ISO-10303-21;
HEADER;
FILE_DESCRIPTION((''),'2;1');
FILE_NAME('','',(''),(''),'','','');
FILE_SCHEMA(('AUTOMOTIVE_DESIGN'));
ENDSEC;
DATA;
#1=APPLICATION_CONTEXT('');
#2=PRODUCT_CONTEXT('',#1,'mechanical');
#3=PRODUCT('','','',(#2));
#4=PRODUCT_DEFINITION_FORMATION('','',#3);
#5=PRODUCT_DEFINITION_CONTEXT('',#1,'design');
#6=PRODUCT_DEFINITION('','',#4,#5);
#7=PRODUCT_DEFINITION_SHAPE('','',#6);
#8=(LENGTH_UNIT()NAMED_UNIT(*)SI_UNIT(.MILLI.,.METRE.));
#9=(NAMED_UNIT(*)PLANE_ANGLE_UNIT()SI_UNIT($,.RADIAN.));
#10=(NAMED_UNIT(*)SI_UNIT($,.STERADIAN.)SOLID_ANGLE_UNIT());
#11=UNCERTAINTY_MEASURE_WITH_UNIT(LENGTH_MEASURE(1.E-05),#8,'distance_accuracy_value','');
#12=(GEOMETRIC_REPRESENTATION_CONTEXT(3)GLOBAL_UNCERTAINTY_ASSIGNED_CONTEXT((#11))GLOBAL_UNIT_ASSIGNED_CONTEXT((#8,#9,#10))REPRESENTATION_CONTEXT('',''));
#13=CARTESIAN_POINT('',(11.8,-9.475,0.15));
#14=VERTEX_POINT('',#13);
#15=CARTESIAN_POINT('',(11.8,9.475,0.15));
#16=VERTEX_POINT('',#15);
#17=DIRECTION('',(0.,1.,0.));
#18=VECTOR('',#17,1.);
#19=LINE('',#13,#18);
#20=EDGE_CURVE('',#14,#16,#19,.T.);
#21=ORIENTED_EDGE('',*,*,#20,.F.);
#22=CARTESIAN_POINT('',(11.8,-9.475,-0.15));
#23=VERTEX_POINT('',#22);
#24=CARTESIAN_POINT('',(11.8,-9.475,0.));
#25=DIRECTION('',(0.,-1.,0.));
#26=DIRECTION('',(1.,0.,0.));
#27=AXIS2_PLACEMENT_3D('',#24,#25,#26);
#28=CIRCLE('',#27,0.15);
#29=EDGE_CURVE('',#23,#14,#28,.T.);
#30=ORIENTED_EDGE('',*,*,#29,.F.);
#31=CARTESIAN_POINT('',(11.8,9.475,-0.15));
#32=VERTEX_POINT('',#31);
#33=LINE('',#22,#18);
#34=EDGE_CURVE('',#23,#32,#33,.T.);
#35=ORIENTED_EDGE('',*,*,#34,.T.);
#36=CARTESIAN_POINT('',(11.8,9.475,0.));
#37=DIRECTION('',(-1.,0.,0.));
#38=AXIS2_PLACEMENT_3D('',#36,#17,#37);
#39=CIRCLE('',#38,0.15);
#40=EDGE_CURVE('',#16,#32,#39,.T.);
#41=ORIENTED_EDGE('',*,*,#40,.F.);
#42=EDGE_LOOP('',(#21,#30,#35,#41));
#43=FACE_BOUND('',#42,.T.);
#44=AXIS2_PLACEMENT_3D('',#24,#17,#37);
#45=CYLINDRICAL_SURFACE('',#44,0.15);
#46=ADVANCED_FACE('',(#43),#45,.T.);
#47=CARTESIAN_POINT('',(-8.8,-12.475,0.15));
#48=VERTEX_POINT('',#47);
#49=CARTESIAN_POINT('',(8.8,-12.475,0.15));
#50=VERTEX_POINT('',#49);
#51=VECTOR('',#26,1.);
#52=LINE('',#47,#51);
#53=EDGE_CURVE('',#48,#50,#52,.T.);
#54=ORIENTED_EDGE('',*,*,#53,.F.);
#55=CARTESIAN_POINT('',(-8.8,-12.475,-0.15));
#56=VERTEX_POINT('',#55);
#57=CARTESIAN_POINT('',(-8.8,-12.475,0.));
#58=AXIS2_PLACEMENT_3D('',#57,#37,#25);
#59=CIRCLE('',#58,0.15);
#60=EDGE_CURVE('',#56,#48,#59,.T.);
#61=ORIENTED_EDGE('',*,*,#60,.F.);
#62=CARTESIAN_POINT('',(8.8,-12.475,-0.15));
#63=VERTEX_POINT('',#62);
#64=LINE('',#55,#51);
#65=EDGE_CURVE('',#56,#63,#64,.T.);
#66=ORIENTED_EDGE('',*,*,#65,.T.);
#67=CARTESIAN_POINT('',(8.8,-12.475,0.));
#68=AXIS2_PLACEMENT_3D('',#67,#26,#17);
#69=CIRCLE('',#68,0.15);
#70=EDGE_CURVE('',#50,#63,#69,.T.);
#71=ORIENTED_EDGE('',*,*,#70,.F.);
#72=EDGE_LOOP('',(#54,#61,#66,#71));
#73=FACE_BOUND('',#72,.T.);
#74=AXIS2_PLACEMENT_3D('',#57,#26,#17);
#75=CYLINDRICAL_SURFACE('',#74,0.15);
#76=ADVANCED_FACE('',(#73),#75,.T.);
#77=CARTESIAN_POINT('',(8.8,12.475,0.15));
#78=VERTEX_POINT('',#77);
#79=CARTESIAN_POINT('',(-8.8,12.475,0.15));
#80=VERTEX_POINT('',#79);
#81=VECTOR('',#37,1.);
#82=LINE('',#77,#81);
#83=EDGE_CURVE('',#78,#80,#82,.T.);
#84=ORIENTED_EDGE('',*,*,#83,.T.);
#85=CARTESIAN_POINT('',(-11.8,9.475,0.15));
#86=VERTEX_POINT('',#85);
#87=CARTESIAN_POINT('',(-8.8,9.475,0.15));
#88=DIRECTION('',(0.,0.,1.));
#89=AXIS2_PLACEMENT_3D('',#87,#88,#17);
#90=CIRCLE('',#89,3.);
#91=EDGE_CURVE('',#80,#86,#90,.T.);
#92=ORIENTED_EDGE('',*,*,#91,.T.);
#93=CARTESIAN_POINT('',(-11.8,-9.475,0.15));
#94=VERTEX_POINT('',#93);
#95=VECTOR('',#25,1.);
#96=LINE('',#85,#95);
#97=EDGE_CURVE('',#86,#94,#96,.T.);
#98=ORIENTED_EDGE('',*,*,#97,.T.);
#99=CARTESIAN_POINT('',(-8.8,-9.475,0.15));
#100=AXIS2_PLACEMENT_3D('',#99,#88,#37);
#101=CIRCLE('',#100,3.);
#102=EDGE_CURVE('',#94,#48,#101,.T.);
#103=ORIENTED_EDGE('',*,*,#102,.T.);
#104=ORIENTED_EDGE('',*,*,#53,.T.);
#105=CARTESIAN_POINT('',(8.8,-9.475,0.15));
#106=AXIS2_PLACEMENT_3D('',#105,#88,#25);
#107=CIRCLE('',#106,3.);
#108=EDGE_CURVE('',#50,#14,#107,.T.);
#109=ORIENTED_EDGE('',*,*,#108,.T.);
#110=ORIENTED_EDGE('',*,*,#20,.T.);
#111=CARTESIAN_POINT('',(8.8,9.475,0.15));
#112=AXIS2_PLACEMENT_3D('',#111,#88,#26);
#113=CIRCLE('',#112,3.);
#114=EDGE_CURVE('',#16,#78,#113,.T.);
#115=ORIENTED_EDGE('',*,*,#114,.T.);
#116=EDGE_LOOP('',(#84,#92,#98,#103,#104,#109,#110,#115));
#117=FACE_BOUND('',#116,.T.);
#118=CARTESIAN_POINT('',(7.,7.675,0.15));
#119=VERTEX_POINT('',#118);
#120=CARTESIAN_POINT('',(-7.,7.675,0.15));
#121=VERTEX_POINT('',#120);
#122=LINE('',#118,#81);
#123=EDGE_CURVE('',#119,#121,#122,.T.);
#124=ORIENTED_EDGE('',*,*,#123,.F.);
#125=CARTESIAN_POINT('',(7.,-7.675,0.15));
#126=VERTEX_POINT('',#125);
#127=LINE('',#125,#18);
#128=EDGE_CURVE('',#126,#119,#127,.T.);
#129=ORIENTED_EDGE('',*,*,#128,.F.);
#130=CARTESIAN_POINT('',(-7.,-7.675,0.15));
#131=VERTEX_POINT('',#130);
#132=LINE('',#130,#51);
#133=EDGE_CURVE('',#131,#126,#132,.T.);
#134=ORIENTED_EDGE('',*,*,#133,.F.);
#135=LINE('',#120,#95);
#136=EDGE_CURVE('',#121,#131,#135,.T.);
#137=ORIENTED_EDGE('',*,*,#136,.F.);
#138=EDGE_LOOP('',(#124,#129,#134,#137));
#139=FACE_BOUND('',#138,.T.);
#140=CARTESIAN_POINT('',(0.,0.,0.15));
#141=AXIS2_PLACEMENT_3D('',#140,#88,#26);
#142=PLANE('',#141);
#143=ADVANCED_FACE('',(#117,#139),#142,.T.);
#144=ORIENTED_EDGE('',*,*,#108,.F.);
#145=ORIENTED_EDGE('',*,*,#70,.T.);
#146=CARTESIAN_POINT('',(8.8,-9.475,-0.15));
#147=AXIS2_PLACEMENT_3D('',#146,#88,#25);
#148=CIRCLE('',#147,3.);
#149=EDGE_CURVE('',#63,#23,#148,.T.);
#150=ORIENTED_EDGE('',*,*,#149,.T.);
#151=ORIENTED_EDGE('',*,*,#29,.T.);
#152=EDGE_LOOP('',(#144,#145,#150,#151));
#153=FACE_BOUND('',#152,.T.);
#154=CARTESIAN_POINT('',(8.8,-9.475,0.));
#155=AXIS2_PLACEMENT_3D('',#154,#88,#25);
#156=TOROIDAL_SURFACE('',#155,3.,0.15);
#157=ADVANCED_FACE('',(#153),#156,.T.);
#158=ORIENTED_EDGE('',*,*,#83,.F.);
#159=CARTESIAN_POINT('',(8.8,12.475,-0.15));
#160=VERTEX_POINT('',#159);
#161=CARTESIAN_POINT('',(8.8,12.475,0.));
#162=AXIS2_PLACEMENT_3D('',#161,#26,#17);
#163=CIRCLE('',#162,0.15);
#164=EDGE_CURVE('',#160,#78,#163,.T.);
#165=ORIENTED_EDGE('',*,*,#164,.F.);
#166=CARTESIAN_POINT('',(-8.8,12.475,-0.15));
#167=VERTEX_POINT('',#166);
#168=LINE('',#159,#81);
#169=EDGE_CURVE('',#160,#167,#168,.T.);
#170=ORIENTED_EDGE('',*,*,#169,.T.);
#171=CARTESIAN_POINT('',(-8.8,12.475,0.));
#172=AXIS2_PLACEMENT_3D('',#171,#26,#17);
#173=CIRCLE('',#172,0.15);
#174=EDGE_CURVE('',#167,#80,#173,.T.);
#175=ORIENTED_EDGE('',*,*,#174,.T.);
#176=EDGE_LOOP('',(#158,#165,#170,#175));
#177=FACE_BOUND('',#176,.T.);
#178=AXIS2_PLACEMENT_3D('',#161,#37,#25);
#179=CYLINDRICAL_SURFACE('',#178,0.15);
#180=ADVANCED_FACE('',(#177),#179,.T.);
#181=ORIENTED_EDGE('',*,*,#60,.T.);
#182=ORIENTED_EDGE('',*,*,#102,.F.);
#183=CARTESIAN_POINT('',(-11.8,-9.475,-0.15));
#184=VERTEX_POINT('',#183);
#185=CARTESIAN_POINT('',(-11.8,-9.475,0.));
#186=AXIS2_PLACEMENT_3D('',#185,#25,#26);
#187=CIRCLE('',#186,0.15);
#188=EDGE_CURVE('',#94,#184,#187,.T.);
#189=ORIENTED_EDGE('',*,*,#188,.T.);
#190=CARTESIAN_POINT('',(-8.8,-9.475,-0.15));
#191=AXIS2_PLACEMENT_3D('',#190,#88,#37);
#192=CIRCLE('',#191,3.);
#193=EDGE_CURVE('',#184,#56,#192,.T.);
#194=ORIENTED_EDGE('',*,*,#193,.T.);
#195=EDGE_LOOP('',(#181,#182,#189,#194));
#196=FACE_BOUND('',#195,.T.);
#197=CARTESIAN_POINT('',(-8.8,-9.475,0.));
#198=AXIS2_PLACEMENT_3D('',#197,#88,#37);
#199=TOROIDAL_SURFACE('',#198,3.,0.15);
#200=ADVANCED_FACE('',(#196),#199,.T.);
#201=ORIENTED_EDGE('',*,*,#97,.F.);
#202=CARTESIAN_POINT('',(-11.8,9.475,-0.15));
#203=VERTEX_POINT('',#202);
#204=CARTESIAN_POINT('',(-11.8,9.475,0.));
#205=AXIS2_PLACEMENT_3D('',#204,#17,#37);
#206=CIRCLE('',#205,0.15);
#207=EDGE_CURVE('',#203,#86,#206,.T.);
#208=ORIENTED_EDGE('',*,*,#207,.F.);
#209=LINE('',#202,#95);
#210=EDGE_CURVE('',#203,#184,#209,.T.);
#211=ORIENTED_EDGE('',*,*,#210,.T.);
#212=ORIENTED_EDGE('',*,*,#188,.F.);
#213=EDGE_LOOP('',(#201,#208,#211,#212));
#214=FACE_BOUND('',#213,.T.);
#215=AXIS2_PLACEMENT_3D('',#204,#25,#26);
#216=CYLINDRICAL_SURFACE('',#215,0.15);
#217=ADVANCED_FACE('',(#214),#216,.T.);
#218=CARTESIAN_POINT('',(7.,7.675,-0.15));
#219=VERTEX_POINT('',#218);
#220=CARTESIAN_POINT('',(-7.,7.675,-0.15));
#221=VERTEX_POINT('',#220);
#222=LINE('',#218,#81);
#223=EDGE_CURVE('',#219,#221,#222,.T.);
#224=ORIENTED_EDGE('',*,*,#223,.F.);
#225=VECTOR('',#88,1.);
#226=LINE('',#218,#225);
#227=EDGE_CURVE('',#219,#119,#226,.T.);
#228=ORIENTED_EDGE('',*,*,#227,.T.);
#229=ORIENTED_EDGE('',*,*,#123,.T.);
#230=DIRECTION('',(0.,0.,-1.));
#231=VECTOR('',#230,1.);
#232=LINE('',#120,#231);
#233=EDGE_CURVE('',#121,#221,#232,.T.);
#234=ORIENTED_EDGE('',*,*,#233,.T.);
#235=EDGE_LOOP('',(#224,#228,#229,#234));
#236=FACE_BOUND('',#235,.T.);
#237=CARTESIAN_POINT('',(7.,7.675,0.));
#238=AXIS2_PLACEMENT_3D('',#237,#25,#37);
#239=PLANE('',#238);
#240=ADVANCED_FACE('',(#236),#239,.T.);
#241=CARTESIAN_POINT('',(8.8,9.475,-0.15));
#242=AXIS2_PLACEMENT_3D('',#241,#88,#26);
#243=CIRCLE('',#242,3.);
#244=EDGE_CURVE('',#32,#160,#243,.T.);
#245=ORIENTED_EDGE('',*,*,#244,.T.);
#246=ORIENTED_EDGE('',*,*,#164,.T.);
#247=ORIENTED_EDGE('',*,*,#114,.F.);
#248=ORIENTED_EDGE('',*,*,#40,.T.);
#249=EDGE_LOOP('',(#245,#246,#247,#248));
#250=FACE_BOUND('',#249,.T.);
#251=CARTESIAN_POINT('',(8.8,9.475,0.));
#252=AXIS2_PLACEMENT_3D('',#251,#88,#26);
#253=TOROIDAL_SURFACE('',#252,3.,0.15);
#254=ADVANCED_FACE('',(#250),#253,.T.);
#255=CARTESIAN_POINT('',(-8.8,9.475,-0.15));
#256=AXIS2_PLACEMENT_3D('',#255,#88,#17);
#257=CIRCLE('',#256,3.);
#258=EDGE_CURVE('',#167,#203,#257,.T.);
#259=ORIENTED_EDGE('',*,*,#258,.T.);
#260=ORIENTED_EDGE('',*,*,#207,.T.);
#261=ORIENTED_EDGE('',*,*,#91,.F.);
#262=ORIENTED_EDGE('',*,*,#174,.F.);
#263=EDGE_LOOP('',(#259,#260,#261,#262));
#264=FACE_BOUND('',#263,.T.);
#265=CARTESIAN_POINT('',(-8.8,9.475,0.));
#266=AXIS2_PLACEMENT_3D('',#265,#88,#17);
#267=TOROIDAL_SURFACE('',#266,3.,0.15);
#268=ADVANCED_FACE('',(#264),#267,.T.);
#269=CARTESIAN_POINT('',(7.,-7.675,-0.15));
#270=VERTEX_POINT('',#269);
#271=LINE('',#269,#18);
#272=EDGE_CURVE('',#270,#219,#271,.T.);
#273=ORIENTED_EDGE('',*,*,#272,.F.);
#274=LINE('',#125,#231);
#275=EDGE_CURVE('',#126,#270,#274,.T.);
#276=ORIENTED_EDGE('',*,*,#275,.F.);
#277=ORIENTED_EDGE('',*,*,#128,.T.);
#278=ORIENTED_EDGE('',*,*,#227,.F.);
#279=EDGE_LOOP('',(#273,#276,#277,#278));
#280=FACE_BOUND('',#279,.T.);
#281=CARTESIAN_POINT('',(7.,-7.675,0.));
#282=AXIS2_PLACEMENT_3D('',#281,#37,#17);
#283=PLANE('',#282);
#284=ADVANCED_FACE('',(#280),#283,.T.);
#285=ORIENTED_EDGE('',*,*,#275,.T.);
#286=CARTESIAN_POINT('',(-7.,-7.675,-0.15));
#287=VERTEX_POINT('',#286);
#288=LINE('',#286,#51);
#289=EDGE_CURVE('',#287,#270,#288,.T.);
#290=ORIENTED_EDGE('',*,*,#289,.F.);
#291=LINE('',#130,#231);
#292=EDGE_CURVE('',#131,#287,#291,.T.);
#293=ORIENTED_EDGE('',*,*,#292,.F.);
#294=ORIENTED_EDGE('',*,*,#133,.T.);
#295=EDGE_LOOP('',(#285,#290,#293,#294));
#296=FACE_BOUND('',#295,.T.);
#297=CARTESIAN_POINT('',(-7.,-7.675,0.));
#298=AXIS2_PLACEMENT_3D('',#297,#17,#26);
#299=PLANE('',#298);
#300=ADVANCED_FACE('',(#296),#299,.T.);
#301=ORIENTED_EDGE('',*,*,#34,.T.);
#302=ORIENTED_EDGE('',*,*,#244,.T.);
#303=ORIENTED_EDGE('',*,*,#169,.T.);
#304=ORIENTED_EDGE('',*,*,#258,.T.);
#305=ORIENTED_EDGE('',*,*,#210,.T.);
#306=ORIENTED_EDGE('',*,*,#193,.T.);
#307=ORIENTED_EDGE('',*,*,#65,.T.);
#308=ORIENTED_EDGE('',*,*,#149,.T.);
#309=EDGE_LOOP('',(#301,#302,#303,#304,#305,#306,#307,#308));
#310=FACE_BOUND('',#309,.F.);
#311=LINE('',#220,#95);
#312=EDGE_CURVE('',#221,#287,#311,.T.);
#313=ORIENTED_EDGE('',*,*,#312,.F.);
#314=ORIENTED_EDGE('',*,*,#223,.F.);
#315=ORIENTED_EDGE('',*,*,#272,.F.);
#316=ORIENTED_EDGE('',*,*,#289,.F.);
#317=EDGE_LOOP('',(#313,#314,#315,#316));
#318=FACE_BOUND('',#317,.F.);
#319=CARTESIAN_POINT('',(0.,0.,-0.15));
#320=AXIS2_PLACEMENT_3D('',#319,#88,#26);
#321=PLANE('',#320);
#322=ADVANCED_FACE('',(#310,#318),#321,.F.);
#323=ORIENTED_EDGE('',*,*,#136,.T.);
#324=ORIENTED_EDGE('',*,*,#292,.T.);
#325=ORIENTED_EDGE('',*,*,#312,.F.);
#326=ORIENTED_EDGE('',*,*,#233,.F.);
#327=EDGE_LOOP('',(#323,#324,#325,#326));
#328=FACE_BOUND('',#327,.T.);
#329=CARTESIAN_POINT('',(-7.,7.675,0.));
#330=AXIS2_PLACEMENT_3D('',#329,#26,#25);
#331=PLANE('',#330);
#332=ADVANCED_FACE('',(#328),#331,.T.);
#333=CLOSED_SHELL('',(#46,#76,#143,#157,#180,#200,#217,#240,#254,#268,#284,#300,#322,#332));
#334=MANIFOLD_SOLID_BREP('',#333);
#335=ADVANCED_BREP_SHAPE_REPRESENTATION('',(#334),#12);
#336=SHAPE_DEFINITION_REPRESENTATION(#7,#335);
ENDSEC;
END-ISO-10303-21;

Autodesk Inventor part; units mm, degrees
ref_plane "YZ Plane" through (0, 0, 0) normal (1, 0, 0) x (0, 1, 0)
ref_plane "XZ Plane" through (0, 0, 0) normal (0, 1, 0) x (-1, 0, 0)
ref_plane "XY Plane" through (0, 0, 0) normal (0, 0, 1) x (1, 0, 0)
sketch "Sketch1" plane through (0, 0, 0) normal (0, 0, 1) x (1, 0, 0)
  line L0 (-6.5, 7.175) -> (6.5, 7.175)
  line L1 (6.5, 7.175) -> (6.5, -7.175)
  line L2 (6.5, -7.175) -> (-6.5, -7.175)
  line L3 (-6.5, -7.175) -> (-6.5, 7.175)
  line L4 (8.8, 12.475) -> (-8.8, 12.475)
  line L5 (-11.8, 9.475) -> (-11.8, -9.475)
  line L6 (-8.8, -12.475) -> (8.8, -12.475)
  line L7 (11.8, -9.475) -> (11.8, 9.475)
  arc A0 (-8.8, 12.475) -> (-11.8, 9.475) centre (-8.8, 9.475) ccw
  arc A1 (11.8, 9.475) -> (8.8, 12.475) centre (8.8, 9.475) ccw
  arc A2 (8.8, -12.475) -> (11.8, -9.475) centre (8.8, -9.475) ccw
  arc A3 (-11.8, -9.475) -> (-8.8, -12.475) centre (-8.8, -9.475) ccw
  line L8 (7, 7.675) -> (-7, 7.675)
  line L9 (-7, 7.675) -> (-7, -7.675)
  line L10 (-7, -7.675) -> (7, -7.675)
  line L11 (7, -7.675) -> (7, 7.675)
  point P0 (0, 0)
  dimension "d0" = 13
  dimension "d1" = 14.35
  dimension "d3" = 3
  dimension "d4" = 7.175
  dimension "d5" = 6.5
  dimension "d11" = 0.5
  dimension "d12" = 24.95
  dimension "d13" = 23.6
sketch "Sketch2" plane through (0, 0, 0) normal (0, 1, 0) x (-1, 0, 0)
  circle A0 centre (-11.8, 0) radius 0.15
  point P0 (0, 0)
  dimension "d6" = 0.3
sweep "Sweep1" add profiles "Sketch2" path "Sketch1" path curves L5 A0 L4 A1 L7 A2 L6 A3
extrude "Extrusion1" add sketch "Sketch1" along normal mid plane 0.3 contours A1 L7 A2 L6 A3 L5 A0 L4
equation "\"d4\" = 0.5 * d1"
equation "\"d5\" = 0.5 * d0"
properties part number "COTS_GENERIC_Transformer_Electromagnet_Coil_Layer" material "Copper"
